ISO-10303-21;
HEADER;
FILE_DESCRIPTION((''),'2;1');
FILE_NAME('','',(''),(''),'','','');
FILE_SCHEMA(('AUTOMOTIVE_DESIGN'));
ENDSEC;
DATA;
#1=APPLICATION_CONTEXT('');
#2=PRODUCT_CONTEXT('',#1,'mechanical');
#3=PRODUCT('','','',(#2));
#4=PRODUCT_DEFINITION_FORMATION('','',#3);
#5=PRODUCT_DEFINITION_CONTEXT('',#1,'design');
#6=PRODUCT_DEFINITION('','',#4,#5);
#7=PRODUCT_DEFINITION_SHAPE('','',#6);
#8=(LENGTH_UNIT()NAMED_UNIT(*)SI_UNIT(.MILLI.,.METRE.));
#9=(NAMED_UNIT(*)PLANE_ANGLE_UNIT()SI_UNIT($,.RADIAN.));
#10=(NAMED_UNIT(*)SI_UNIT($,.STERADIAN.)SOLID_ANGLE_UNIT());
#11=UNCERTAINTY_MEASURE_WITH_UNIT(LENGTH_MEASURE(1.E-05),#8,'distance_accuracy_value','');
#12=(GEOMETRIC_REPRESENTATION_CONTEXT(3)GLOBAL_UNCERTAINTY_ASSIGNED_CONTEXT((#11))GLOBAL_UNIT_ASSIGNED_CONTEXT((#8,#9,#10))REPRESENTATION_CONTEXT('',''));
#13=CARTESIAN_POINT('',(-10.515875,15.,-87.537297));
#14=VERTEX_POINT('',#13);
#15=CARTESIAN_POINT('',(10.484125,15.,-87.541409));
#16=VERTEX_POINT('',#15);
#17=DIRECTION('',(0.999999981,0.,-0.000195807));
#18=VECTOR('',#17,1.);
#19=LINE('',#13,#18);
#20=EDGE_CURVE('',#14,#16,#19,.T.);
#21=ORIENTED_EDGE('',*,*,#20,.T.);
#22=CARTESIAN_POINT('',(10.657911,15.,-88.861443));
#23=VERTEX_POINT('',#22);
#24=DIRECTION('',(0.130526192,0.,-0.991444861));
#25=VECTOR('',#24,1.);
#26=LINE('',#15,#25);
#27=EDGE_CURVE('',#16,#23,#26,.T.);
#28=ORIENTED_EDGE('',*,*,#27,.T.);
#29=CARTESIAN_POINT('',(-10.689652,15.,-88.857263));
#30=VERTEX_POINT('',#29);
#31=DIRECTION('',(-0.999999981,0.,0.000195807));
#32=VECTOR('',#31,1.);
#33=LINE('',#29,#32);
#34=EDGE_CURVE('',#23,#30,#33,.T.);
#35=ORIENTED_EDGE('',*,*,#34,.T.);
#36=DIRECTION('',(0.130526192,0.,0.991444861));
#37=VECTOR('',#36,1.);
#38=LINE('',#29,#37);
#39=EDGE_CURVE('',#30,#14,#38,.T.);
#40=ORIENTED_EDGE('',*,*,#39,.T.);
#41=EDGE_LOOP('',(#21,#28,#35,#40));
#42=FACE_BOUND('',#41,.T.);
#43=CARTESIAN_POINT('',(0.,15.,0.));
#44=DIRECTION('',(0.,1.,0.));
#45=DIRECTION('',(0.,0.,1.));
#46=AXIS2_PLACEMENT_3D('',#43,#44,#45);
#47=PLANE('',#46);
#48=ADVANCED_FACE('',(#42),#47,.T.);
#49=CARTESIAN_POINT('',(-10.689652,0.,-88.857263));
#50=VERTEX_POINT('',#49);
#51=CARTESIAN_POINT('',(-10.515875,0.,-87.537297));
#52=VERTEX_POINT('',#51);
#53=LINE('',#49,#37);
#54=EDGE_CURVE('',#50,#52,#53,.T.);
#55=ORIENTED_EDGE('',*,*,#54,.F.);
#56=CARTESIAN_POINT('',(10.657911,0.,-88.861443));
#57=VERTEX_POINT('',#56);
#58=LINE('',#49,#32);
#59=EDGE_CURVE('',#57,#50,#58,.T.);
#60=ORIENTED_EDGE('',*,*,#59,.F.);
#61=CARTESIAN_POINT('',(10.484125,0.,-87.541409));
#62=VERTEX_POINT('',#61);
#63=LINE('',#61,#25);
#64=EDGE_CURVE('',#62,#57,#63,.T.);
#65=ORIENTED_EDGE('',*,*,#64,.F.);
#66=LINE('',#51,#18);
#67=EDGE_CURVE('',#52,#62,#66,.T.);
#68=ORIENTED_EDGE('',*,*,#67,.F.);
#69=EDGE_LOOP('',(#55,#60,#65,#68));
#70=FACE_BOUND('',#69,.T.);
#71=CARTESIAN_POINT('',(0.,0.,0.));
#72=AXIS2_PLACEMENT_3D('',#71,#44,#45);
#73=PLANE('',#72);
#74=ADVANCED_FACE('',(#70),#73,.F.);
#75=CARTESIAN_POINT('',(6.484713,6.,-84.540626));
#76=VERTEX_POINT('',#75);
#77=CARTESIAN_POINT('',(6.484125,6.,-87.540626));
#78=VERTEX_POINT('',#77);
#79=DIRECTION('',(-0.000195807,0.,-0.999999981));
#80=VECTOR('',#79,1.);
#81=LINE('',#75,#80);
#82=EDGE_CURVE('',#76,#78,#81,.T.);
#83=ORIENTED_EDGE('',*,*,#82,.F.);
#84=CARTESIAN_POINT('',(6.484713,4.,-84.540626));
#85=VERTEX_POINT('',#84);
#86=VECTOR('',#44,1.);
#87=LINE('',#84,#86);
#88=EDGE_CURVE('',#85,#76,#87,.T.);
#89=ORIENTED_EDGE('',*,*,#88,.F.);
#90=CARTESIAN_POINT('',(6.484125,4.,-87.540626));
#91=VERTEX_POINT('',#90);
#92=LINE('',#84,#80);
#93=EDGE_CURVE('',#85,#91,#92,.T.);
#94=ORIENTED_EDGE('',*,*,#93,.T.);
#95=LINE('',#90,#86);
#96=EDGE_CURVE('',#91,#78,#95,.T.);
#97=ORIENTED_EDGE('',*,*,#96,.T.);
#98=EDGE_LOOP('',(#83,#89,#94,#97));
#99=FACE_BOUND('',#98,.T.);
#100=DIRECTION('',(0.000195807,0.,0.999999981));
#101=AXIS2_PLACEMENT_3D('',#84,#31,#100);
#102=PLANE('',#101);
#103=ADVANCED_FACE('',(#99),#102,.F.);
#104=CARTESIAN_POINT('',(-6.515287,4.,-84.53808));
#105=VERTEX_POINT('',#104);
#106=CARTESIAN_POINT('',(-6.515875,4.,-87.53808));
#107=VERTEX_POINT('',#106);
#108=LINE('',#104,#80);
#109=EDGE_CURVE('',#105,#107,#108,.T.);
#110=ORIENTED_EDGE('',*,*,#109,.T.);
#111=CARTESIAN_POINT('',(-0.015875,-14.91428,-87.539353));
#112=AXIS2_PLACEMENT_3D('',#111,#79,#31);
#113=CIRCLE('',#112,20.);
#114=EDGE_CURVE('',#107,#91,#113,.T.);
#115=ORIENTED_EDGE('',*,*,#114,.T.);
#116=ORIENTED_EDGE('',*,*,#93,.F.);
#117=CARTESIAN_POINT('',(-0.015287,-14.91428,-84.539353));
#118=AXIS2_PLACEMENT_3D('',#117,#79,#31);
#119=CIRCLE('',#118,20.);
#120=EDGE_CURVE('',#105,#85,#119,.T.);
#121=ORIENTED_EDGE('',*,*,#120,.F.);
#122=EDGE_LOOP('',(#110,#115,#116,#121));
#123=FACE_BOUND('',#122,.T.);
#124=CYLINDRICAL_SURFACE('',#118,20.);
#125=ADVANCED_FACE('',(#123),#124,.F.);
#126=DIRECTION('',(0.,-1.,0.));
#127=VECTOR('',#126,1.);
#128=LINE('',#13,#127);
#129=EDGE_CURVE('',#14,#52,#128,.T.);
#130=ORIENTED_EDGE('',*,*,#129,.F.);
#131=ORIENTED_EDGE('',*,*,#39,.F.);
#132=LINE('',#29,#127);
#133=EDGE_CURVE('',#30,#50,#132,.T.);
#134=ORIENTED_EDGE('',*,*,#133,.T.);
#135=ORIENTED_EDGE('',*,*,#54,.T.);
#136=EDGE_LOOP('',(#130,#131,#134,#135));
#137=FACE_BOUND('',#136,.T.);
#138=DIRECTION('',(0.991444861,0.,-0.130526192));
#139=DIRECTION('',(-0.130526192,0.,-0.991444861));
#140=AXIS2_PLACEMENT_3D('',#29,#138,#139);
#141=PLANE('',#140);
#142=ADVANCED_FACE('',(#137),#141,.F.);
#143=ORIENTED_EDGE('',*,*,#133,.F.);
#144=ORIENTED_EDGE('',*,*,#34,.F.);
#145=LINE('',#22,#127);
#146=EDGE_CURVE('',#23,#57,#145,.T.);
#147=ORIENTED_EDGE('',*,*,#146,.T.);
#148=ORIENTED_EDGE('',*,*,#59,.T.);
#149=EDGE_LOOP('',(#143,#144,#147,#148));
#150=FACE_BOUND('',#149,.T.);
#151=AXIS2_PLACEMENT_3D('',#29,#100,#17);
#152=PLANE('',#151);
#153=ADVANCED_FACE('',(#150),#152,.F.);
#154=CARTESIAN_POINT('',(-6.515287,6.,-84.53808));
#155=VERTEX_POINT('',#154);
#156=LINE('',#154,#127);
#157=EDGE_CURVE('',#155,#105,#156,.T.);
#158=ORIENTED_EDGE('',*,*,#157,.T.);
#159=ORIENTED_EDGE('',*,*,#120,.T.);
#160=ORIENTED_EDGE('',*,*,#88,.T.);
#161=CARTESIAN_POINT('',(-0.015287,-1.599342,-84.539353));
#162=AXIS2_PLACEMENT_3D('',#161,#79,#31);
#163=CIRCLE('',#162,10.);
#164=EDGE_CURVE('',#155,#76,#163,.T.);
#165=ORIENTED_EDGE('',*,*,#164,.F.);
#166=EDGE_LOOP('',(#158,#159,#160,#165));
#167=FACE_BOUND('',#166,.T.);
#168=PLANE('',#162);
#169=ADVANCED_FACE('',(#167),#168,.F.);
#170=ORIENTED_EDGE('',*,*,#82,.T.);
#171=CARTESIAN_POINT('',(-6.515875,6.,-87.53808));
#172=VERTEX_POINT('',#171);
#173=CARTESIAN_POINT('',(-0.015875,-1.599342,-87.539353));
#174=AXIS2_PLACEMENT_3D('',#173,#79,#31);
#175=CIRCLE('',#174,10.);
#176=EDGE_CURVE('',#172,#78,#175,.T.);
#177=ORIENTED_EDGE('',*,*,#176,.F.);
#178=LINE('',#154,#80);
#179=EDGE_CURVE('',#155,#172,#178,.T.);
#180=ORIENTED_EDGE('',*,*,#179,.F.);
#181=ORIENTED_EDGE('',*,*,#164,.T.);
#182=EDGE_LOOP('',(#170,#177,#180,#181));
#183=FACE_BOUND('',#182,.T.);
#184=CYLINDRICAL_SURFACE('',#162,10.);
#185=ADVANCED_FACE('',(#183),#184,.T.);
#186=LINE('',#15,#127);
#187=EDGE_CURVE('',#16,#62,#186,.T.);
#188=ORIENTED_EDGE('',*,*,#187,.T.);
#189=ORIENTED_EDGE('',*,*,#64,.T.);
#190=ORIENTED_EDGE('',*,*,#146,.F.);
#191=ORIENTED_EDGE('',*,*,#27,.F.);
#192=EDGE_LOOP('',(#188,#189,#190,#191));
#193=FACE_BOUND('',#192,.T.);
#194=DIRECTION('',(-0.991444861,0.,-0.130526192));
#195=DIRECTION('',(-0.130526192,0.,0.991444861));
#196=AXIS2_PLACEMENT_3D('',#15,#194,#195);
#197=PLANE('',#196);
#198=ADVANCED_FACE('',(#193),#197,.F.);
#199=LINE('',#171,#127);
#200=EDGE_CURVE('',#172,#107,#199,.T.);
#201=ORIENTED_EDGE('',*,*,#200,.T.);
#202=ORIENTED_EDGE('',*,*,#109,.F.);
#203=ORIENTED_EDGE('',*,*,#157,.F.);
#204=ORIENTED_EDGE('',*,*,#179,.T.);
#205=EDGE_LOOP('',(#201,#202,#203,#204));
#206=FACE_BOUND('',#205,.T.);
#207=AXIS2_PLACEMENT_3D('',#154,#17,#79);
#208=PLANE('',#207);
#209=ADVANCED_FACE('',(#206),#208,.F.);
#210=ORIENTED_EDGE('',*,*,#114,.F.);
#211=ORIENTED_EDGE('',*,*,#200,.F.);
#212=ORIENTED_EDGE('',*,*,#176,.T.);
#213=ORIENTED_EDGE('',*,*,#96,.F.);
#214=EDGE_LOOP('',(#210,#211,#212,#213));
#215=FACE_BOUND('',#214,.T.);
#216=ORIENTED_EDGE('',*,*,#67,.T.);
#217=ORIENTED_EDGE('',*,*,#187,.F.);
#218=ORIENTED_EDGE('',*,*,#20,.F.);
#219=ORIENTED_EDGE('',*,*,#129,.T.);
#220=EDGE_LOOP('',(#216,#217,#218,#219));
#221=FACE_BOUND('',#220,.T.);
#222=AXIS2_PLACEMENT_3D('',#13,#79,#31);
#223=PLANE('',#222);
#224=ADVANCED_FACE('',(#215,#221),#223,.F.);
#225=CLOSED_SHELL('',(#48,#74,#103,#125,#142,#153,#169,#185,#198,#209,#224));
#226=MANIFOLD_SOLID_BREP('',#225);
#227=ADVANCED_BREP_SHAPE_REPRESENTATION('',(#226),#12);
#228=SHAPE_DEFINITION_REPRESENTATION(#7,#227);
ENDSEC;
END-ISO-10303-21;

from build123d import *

# Parameters (mm, degrees)
RESSALTO_EXTRUS_O1_DEPTH = 15
RESSALTO_EXTRUS_O2_DEPTH = 3


with BuildPart() as part:
    # Esboço1 → Ressalto-extrusão1 (new body)
    with BuildSketch(Plane(origin=(0, 0, 0), x_dir=(1, 0, 0), z_dir=(0, 1, 0))):
        Polygon((10.484125197, 87.541408798), (10.657910977, 88.861442851), (-10.689651623, 88.857262857), (-10.515874803, 87.537296858), align=None)
    extrude(amount=RESSALTO_EXTRUS_O1_DEPTH)

    # Esboço2 → Ressalto-extrusão2 (add)
    with BuildSketch(Plane(origin=(-0.017140787, 0, -87.53935258), x_dir=(0.999999981, 0, -0.000195807), z_dir=(0.000195807, 0, 0.999999981))):
        with BuildLine():
            Line((-6.498734217, 6), (-6.498734217, 4))
            ThreePointArc((-6.498734217, 4), (0.001265984, 5.08571975), (6.501266185, 4))
            Line((6.501266185, 4), (6.501266185, 6))
            ThreePointArc((6.501266185, 6), (0.001265984, 8.400658095), (-6.498734217, 6))
        make_face()
    extrude(amount=RESSALTO_EXTRUS_O2_DEPTH)


solid = part.part
